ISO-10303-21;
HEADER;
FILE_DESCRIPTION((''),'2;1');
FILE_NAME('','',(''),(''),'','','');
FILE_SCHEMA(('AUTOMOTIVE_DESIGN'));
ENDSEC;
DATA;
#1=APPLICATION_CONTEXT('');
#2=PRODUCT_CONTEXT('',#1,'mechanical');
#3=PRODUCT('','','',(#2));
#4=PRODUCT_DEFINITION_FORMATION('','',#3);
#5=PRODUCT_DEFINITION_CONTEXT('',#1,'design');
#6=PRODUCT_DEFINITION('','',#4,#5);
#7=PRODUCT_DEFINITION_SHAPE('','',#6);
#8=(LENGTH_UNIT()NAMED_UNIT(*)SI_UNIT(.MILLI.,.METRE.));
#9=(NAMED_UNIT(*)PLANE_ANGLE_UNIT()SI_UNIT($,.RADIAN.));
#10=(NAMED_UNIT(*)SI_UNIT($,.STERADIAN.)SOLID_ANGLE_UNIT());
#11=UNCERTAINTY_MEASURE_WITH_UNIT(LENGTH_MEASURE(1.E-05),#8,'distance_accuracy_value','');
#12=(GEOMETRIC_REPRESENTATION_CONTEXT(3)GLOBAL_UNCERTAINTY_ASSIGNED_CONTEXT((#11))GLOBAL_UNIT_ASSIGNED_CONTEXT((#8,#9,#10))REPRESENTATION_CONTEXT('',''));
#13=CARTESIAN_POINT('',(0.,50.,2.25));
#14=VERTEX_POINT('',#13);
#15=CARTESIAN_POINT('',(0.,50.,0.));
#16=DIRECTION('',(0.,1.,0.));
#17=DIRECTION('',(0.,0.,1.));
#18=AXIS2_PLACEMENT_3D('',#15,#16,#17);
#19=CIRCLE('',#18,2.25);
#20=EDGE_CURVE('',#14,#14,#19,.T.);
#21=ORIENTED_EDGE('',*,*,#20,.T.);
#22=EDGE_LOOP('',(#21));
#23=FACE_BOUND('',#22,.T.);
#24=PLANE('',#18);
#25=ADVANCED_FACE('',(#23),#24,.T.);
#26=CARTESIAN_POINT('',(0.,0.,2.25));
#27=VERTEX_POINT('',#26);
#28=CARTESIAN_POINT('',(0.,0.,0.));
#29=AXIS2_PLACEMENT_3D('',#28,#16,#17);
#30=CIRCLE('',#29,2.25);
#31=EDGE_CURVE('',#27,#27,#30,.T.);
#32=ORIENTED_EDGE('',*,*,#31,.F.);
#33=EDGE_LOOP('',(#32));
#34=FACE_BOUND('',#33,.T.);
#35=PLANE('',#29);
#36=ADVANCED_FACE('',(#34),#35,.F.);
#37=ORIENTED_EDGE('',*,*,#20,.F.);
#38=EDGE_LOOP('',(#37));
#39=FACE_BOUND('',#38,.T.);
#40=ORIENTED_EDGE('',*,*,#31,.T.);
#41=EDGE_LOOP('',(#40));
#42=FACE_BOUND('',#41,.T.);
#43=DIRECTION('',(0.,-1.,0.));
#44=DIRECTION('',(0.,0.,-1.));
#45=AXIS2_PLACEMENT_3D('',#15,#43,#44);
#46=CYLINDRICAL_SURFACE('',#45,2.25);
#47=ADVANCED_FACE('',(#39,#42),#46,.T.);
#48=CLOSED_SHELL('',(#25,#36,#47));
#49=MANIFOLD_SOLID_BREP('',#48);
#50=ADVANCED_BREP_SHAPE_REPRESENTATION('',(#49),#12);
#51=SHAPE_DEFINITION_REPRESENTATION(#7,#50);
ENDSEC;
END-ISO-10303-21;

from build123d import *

# Parameters (mm, degrees)
SKETCH1_R      = 2.25
EXTRUDE1_DEPTH = 50


with BuildPart() as part:
    # Sketch1 → Extrude1 (new body)
    with BuildSketch(Plane(origin=(0, 0, 0), x_dir=(1, 0, 0), z_dir=(0, 1, 0))):
        with Locations(Location((0, 0, 0), (0, 0, 270))):
            Circle(SKETCH1_R)
    extrude(amount=EXTRUDE1_DEPTH)


solid = part.part
